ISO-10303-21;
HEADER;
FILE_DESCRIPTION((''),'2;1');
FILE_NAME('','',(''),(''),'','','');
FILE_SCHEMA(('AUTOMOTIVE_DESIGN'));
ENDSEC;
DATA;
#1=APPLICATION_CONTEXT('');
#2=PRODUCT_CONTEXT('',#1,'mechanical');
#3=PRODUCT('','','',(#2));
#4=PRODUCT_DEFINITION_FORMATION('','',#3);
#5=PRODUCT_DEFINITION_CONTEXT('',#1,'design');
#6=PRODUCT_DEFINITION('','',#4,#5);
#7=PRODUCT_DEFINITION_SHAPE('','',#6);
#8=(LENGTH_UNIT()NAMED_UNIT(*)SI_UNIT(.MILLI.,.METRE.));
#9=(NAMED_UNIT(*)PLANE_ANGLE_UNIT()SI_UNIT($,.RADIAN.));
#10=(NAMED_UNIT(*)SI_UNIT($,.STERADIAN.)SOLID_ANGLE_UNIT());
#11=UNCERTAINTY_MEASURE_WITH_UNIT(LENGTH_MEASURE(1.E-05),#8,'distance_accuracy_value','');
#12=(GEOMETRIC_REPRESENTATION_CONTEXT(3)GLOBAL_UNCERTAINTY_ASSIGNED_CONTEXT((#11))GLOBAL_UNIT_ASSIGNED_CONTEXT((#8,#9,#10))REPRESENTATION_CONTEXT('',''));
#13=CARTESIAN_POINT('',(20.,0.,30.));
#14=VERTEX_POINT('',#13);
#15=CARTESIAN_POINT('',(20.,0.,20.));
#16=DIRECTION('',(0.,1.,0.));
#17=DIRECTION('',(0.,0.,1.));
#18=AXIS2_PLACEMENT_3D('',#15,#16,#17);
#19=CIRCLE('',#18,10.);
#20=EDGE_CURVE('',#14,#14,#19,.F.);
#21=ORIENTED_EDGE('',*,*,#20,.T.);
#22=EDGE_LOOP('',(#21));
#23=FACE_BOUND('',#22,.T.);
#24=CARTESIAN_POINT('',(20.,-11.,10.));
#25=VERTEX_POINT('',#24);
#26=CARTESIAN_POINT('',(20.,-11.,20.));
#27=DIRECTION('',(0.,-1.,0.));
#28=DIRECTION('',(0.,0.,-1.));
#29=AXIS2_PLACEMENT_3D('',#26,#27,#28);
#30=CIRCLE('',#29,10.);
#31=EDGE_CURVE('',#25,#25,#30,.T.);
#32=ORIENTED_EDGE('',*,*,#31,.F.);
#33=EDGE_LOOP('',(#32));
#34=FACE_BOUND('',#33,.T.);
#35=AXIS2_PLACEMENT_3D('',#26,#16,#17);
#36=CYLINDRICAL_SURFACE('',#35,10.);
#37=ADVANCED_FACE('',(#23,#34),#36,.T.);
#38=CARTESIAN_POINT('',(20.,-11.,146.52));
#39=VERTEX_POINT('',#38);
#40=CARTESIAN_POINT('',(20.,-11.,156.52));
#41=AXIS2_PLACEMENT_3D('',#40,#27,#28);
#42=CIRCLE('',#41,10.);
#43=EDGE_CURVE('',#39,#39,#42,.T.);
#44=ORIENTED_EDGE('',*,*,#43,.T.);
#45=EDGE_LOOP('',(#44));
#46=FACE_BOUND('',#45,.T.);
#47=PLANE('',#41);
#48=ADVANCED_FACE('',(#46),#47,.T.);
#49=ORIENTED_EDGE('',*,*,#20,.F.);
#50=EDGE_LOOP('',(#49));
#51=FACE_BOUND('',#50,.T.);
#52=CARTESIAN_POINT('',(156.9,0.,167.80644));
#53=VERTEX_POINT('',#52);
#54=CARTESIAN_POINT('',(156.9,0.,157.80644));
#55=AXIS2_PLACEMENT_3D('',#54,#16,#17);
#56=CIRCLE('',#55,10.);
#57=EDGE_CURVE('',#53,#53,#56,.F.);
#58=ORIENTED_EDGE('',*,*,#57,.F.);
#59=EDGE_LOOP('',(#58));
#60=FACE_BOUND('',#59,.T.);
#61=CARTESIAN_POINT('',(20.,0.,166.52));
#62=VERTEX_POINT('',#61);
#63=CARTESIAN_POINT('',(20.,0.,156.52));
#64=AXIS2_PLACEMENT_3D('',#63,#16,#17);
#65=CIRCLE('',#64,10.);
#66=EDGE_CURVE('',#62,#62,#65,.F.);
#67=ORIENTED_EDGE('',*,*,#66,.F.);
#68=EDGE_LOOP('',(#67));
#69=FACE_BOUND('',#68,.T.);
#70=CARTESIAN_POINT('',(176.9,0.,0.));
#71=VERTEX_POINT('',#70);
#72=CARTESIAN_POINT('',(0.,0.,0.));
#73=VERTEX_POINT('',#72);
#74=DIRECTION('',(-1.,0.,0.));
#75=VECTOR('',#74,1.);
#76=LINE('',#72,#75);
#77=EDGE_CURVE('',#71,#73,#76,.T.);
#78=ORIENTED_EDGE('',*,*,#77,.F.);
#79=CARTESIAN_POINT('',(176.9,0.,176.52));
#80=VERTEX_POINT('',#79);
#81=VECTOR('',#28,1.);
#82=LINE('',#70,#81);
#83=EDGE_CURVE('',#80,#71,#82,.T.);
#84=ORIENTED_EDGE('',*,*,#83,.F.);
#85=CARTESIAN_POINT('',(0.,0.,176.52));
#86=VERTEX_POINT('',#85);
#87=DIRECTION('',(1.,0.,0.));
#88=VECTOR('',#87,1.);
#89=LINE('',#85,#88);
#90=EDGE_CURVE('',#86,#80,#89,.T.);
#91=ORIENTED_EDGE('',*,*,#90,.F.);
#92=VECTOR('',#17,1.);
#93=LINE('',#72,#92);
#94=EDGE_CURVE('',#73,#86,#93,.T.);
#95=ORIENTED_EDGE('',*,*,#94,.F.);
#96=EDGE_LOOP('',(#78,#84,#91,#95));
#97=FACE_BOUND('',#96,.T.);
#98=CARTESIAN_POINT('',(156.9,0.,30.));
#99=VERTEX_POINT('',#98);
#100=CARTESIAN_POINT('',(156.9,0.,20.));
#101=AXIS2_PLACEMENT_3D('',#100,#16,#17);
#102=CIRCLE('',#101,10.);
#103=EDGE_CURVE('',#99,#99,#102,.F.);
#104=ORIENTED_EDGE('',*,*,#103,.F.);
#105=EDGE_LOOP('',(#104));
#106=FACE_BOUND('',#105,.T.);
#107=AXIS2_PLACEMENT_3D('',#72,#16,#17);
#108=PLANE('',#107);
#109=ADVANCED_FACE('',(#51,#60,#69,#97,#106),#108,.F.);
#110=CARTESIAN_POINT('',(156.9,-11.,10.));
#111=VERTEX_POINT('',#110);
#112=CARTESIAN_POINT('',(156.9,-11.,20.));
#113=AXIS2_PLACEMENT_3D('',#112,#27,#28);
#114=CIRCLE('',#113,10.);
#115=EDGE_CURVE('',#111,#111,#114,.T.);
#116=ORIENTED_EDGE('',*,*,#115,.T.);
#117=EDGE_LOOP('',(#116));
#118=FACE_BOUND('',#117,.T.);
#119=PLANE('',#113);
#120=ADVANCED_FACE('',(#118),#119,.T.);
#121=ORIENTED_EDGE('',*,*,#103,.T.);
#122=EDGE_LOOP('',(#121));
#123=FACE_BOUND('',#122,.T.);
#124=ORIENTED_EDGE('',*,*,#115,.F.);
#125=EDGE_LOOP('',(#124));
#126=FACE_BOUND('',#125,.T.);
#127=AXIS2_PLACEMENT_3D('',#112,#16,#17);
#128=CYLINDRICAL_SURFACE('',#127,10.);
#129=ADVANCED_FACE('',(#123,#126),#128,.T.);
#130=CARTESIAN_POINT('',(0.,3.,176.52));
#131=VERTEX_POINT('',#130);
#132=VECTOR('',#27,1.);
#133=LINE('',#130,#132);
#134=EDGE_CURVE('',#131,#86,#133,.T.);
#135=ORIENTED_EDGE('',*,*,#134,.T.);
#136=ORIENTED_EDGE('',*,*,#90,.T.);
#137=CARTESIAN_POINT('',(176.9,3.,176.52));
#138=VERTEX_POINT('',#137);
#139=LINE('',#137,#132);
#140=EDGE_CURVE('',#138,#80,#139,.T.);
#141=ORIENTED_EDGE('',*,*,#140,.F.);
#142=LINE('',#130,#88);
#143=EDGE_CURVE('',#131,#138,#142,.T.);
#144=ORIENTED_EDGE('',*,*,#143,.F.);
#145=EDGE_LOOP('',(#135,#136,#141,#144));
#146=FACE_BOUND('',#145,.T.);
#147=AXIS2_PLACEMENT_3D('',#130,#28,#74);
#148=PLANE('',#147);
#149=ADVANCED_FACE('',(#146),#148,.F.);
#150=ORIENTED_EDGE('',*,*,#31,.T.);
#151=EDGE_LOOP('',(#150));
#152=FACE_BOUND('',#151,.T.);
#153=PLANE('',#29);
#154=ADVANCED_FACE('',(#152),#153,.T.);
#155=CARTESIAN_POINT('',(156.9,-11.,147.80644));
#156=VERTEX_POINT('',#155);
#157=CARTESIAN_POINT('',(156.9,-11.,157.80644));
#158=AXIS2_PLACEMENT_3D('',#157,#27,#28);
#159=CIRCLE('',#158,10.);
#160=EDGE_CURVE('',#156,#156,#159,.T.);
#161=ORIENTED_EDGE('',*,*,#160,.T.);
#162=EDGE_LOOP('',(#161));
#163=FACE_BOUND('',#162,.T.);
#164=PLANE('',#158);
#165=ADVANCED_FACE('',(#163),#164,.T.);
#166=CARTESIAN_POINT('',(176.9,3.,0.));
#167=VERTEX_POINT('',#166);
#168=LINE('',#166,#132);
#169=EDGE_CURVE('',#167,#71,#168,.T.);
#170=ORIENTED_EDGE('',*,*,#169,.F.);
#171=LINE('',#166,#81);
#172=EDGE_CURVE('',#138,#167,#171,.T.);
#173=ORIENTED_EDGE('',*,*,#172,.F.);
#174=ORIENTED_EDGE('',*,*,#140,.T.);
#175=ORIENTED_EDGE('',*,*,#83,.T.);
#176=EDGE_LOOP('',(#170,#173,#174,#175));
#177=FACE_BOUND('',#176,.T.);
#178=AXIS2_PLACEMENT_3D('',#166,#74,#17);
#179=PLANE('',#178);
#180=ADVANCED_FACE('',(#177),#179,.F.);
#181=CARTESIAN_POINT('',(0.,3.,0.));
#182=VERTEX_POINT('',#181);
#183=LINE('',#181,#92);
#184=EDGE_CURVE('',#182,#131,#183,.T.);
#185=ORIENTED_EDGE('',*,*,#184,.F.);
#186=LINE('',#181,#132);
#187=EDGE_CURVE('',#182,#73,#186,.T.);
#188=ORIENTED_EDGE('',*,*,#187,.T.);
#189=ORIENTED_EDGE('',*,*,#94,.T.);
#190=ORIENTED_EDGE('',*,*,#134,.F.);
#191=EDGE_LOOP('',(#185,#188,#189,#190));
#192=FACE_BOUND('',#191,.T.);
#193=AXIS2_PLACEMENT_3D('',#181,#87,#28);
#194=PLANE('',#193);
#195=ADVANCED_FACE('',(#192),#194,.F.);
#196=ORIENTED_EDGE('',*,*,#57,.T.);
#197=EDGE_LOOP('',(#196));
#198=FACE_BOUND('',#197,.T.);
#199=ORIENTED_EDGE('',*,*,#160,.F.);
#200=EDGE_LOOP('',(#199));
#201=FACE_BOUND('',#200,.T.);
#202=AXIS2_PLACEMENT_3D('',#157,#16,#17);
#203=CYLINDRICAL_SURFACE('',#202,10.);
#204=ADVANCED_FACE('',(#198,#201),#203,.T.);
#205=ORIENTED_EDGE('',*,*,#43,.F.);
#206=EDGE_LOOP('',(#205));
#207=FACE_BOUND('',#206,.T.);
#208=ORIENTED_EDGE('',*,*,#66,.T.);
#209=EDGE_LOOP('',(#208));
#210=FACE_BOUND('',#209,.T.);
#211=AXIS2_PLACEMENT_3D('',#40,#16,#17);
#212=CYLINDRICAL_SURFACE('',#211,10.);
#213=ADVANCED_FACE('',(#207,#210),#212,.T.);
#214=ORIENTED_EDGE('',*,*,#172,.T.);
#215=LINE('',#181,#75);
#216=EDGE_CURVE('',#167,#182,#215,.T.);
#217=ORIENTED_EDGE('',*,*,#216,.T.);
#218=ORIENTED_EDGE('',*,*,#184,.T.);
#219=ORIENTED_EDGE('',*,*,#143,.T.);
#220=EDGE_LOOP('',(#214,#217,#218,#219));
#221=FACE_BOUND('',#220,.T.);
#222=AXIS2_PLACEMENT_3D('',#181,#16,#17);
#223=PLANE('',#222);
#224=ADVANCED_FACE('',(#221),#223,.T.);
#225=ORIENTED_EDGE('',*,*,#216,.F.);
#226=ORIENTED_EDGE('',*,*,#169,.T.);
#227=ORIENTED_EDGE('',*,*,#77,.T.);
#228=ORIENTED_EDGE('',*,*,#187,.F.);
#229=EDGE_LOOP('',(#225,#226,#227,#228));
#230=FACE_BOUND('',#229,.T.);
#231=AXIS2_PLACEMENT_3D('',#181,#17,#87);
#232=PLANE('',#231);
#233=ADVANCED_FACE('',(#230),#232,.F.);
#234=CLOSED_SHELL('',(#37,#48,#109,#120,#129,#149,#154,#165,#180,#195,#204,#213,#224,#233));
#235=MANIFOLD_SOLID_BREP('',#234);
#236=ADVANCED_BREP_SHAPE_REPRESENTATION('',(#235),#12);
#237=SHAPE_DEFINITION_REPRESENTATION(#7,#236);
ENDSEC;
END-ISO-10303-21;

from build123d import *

# Parameters (mm, degrees)
SKETCH2_W           = 176.9
SKETCH2_H           = 176.52
BOSS_EXTRUDE1_DEPTH = 3
SKETCH6_R           = 10
BOSS_EXTRUDE4_DEPTH = 11


with BuildPart() as part:
    # Sketch2 → Boss-Extrude1 (new body)
    with BuildSketch(Plane(origin=(0, 0, 0), x_dir=(1, 0, 0), z_dir=(0, 1, 0))):
        with Locations((88.45, -88.26)):
            Rectangle(SKETCH2_W, SKETCH2_H)
    extrude(amount=BOSS_EXTRUDE1_DEPTH)

    # Sketch6 → Boss-Extrude4 (add)
    with BuildSketch(Plane.XZ):
        with Locations((20, 156.52)):
            Circle(SKETCH6_R)
        with Locations((156.9, 20)):
            Circle(SKETCH6_R)
        with Locations((20, 20)):
            Circle(SKETCH6_R)
        with Locations((156.9, 157.806439708)):
            Circle(SKETCH6_R)
    extrude(amount=BOSS_EXTRUDE4_DEPTH)


solid = part.part
